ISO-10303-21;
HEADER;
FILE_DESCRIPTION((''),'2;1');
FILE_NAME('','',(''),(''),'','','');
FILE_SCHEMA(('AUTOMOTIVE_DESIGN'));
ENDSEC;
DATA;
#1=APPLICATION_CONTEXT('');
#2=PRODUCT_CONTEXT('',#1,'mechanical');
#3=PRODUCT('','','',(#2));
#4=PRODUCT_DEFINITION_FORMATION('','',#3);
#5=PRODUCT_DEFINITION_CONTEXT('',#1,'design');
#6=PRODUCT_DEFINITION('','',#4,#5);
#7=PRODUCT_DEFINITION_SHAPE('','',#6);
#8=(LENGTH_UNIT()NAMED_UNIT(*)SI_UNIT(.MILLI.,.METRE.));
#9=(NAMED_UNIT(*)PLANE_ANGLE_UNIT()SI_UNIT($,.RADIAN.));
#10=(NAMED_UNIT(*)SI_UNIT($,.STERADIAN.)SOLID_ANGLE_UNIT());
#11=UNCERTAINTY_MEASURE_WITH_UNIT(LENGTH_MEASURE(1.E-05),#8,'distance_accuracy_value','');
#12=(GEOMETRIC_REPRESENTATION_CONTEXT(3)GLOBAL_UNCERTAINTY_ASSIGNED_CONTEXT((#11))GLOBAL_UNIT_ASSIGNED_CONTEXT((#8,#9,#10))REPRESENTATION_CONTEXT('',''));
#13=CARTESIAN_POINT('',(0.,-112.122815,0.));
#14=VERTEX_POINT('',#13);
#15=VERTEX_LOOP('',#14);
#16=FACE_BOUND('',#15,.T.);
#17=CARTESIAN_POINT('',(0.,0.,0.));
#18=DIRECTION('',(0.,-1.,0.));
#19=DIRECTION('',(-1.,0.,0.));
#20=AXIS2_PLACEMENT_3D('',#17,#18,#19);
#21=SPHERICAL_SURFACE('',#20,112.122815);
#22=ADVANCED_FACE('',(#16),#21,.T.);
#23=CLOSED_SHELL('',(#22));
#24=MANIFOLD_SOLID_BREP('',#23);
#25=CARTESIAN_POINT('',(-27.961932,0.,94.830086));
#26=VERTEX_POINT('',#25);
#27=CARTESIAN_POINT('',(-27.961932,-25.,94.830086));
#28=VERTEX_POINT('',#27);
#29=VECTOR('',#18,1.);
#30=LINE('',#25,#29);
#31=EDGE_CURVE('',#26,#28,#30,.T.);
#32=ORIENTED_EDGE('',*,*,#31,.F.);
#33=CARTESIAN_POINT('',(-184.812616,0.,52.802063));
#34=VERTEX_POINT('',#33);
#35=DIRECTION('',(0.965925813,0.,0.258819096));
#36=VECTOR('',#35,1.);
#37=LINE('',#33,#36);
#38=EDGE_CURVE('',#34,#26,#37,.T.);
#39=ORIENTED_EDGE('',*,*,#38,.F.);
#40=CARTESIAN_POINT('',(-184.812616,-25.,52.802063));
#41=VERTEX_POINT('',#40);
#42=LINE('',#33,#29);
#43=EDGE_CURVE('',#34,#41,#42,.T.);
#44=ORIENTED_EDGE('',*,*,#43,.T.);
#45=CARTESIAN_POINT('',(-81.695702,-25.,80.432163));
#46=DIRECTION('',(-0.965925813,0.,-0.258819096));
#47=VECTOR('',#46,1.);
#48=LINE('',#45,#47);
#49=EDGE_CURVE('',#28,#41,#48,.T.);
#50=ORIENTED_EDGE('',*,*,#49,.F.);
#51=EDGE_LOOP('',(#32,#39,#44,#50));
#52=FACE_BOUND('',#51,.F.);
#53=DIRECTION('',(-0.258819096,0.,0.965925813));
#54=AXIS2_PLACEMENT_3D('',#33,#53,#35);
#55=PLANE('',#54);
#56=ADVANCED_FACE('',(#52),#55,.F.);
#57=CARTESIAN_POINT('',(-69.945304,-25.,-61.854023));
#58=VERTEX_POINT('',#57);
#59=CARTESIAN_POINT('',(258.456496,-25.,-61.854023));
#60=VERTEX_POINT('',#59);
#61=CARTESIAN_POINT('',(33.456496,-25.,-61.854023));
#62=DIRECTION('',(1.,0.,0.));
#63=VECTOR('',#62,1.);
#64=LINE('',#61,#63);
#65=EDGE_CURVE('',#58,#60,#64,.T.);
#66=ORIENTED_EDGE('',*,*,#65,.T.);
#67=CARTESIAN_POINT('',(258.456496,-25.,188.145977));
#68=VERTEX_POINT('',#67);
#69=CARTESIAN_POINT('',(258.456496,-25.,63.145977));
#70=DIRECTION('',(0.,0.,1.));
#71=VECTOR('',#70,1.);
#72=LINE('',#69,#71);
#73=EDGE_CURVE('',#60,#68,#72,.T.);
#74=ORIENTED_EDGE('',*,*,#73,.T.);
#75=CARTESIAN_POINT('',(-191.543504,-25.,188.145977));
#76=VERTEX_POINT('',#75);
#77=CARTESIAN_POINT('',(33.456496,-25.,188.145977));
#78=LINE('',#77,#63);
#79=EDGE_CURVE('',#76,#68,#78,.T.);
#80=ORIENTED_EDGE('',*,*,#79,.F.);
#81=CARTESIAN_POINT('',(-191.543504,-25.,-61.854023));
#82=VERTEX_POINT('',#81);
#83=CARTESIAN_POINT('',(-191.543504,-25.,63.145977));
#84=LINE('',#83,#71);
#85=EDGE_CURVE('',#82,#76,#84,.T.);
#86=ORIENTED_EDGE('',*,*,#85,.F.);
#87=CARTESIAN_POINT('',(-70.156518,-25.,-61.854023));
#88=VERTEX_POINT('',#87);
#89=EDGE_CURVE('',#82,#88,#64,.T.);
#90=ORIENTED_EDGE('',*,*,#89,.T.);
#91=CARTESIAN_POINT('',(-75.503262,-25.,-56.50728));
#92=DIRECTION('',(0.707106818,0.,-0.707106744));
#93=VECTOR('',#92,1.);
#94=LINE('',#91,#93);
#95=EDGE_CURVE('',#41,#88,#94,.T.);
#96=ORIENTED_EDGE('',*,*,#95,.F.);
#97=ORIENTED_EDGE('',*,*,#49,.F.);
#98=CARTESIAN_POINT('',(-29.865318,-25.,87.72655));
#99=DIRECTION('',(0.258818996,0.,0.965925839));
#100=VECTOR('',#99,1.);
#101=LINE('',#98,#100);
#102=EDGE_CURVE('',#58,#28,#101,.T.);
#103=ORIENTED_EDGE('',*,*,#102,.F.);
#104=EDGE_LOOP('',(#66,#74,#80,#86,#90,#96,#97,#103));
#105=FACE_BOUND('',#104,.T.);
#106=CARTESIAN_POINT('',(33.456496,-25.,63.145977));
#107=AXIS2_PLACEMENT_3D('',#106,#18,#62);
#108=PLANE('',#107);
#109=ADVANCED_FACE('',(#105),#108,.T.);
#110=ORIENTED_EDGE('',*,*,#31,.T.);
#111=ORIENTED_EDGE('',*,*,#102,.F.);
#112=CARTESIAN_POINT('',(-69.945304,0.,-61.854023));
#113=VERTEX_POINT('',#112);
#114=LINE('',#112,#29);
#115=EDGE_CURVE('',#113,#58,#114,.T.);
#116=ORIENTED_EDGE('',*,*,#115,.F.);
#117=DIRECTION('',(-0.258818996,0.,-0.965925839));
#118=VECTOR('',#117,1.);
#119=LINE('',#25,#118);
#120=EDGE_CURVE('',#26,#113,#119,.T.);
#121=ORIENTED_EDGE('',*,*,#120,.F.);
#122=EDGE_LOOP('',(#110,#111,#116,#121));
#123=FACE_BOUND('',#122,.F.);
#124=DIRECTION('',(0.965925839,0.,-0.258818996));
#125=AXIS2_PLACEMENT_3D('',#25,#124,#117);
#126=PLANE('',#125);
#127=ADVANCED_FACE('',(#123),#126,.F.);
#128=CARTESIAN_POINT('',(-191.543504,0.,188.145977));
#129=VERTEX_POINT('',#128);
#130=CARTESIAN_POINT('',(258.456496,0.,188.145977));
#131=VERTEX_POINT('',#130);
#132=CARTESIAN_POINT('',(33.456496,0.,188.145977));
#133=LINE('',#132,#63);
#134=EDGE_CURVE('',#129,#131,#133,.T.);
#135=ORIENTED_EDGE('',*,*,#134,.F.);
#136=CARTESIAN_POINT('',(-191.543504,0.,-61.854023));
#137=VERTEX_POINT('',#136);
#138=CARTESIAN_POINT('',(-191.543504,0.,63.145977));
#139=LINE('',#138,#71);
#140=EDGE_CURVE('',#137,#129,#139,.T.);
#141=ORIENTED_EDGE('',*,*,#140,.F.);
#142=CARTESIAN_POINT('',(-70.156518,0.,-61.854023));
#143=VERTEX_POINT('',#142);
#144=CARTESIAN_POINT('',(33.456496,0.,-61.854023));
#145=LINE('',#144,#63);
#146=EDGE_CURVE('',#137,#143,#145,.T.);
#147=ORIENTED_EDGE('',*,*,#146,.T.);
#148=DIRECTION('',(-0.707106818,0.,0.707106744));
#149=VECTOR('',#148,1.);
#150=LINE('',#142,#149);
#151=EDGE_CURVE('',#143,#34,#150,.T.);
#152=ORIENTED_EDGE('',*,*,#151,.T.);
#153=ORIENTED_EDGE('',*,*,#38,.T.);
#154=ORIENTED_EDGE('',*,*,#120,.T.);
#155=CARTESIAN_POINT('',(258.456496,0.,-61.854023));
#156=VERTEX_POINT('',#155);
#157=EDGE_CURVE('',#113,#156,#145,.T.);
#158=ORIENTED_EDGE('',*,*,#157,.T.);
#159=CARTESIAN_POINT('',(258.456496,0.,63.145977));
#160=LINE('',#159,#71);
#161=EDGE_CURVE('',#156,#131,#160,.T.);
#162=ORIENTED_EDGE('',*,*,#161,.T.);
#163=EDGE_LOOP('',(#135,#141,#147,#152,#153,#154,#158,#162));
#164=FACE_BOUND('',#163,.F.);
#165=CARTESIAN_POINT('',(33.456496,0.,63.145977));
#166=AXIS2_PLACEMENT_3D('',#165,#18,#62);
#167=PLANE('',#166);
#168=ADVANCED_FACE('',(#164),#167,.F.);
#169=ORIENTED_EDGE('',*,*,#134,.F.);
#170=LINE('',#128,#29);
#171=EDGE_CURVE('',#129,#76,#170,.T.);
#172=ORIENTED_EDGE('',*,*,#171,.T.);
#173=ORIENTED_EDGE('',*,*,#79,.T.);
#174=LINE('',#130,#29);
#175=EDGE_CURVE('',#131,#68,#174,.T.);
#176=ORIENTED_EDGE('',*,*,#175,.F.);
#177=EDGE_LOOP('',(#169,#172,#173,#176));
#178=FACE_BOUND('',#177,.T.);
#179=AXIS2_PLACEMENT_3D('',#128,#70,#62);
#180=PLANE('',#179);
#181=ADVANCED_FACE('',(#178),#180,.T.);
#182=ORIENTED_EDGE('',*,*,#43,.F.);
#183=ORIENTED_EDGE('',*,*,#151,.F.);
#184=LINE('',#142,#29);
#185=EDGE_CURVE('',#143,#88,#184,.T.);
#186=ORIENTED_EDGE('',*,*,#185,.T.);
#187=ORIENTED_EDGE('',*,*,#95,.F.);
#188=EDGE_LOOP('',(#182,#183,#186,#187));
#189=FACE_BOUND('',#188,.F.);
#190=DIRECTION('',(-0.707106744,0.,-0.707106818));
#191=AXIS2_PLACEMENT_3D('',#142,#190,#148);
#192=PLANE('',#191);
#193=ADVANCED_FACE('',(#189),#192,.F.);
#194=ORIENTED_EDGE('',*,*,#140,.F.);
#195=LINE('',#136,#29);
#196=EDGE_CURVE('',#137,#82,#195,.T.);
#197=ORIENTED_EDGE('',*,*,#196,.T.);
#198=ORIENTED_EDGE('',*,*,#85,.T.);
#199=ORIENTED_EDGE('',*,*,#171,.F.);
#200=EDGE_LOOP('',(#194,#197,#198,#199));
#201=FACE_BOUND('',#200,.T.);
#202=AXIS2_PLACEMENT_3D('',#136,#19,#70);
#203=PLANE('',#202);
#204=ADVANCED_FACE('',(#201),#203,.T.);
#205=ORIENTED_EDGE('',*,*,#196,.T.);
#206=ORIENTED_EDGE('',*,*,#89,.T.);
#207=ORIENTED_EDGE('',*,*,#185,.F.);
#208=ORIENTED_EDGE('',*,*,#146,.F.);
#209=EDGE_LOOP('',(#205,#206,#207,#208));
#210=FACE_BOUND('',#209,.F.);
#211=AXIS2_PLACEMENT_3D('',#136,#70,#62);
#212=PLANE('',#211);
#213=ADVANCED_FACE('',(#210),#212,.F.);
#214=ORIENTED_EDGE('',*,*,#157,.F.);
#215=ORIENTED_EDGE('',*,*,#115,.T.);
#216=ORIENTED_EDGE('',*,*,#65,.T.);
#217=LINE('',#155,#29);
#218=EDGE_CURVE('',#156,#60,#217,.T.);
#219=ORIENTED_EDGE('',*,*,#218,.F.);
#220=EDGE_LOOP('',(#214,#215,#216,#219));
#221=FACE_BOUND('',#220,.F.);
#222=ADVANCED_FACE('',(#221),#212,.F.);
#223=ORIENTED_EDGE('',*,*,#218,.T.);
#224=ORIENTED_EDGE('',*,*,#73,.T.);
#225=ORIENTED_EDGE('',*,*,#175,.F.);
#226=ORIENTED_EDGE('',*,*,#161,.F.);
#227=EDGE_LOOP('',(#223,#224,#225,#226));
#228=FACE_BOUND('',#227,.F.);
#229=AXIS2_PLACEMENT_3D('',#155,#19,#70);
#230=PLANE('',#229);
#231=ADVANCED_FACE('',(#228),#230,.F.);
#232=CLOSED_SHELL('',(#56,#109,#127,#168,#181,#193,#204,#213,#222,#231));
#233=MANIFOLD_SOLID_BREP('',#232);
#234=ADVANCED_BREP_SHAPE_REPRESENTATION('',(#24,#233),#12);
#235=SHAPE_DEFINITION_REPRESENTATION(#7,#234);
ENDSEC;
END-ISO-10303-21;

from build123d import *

# Parameters (mm, degrees)
F0_W     = 450
F0_H     = 250
F1_DEPTH = 25
F3_DEPTH = 50


with BuildPart() as f1:
    # F0 (on Front) → F1 (new body)
    with BuildSketch(Plane.XZ):
        with Locations((33.456496, 63.145977)):
            Rectangle(F0_W, F0_H)
    extrude(amount=F1_DEPTH)

    # F2 (on face) → F3 (cut)
    with BuildSketch(Plane(origin=(0, 0, 0), x_dir=(-1, 0, 0), z_dir=(0, 1, 0))):
        Polygon((70.156518, -61.854023), (184.812616, 52.802063), (27.961932, 94.830086), (69.945304, -61.854023), align=None)
    extrude(amount=-F3_DEPTH, mode=Mode.SUBTRACT)


with BuildPart() as f5:
    # F4 (on Top) → F5 (revolve)
    with BuildSketch(Plane.XY):
        with BuildLine():
            Line((0, 0), (0, 112.122815))
            ThreePointArc((0, 112.122815), (-112.122815, 0), (0, -112.122815))
            Line((0, -112.122815), (0, 0))
        make_face()
    revolve(axis=Axis((0, -56.061408, 0), (0, -1, 0)))


solid = Compound([f1.part, f5.part])
